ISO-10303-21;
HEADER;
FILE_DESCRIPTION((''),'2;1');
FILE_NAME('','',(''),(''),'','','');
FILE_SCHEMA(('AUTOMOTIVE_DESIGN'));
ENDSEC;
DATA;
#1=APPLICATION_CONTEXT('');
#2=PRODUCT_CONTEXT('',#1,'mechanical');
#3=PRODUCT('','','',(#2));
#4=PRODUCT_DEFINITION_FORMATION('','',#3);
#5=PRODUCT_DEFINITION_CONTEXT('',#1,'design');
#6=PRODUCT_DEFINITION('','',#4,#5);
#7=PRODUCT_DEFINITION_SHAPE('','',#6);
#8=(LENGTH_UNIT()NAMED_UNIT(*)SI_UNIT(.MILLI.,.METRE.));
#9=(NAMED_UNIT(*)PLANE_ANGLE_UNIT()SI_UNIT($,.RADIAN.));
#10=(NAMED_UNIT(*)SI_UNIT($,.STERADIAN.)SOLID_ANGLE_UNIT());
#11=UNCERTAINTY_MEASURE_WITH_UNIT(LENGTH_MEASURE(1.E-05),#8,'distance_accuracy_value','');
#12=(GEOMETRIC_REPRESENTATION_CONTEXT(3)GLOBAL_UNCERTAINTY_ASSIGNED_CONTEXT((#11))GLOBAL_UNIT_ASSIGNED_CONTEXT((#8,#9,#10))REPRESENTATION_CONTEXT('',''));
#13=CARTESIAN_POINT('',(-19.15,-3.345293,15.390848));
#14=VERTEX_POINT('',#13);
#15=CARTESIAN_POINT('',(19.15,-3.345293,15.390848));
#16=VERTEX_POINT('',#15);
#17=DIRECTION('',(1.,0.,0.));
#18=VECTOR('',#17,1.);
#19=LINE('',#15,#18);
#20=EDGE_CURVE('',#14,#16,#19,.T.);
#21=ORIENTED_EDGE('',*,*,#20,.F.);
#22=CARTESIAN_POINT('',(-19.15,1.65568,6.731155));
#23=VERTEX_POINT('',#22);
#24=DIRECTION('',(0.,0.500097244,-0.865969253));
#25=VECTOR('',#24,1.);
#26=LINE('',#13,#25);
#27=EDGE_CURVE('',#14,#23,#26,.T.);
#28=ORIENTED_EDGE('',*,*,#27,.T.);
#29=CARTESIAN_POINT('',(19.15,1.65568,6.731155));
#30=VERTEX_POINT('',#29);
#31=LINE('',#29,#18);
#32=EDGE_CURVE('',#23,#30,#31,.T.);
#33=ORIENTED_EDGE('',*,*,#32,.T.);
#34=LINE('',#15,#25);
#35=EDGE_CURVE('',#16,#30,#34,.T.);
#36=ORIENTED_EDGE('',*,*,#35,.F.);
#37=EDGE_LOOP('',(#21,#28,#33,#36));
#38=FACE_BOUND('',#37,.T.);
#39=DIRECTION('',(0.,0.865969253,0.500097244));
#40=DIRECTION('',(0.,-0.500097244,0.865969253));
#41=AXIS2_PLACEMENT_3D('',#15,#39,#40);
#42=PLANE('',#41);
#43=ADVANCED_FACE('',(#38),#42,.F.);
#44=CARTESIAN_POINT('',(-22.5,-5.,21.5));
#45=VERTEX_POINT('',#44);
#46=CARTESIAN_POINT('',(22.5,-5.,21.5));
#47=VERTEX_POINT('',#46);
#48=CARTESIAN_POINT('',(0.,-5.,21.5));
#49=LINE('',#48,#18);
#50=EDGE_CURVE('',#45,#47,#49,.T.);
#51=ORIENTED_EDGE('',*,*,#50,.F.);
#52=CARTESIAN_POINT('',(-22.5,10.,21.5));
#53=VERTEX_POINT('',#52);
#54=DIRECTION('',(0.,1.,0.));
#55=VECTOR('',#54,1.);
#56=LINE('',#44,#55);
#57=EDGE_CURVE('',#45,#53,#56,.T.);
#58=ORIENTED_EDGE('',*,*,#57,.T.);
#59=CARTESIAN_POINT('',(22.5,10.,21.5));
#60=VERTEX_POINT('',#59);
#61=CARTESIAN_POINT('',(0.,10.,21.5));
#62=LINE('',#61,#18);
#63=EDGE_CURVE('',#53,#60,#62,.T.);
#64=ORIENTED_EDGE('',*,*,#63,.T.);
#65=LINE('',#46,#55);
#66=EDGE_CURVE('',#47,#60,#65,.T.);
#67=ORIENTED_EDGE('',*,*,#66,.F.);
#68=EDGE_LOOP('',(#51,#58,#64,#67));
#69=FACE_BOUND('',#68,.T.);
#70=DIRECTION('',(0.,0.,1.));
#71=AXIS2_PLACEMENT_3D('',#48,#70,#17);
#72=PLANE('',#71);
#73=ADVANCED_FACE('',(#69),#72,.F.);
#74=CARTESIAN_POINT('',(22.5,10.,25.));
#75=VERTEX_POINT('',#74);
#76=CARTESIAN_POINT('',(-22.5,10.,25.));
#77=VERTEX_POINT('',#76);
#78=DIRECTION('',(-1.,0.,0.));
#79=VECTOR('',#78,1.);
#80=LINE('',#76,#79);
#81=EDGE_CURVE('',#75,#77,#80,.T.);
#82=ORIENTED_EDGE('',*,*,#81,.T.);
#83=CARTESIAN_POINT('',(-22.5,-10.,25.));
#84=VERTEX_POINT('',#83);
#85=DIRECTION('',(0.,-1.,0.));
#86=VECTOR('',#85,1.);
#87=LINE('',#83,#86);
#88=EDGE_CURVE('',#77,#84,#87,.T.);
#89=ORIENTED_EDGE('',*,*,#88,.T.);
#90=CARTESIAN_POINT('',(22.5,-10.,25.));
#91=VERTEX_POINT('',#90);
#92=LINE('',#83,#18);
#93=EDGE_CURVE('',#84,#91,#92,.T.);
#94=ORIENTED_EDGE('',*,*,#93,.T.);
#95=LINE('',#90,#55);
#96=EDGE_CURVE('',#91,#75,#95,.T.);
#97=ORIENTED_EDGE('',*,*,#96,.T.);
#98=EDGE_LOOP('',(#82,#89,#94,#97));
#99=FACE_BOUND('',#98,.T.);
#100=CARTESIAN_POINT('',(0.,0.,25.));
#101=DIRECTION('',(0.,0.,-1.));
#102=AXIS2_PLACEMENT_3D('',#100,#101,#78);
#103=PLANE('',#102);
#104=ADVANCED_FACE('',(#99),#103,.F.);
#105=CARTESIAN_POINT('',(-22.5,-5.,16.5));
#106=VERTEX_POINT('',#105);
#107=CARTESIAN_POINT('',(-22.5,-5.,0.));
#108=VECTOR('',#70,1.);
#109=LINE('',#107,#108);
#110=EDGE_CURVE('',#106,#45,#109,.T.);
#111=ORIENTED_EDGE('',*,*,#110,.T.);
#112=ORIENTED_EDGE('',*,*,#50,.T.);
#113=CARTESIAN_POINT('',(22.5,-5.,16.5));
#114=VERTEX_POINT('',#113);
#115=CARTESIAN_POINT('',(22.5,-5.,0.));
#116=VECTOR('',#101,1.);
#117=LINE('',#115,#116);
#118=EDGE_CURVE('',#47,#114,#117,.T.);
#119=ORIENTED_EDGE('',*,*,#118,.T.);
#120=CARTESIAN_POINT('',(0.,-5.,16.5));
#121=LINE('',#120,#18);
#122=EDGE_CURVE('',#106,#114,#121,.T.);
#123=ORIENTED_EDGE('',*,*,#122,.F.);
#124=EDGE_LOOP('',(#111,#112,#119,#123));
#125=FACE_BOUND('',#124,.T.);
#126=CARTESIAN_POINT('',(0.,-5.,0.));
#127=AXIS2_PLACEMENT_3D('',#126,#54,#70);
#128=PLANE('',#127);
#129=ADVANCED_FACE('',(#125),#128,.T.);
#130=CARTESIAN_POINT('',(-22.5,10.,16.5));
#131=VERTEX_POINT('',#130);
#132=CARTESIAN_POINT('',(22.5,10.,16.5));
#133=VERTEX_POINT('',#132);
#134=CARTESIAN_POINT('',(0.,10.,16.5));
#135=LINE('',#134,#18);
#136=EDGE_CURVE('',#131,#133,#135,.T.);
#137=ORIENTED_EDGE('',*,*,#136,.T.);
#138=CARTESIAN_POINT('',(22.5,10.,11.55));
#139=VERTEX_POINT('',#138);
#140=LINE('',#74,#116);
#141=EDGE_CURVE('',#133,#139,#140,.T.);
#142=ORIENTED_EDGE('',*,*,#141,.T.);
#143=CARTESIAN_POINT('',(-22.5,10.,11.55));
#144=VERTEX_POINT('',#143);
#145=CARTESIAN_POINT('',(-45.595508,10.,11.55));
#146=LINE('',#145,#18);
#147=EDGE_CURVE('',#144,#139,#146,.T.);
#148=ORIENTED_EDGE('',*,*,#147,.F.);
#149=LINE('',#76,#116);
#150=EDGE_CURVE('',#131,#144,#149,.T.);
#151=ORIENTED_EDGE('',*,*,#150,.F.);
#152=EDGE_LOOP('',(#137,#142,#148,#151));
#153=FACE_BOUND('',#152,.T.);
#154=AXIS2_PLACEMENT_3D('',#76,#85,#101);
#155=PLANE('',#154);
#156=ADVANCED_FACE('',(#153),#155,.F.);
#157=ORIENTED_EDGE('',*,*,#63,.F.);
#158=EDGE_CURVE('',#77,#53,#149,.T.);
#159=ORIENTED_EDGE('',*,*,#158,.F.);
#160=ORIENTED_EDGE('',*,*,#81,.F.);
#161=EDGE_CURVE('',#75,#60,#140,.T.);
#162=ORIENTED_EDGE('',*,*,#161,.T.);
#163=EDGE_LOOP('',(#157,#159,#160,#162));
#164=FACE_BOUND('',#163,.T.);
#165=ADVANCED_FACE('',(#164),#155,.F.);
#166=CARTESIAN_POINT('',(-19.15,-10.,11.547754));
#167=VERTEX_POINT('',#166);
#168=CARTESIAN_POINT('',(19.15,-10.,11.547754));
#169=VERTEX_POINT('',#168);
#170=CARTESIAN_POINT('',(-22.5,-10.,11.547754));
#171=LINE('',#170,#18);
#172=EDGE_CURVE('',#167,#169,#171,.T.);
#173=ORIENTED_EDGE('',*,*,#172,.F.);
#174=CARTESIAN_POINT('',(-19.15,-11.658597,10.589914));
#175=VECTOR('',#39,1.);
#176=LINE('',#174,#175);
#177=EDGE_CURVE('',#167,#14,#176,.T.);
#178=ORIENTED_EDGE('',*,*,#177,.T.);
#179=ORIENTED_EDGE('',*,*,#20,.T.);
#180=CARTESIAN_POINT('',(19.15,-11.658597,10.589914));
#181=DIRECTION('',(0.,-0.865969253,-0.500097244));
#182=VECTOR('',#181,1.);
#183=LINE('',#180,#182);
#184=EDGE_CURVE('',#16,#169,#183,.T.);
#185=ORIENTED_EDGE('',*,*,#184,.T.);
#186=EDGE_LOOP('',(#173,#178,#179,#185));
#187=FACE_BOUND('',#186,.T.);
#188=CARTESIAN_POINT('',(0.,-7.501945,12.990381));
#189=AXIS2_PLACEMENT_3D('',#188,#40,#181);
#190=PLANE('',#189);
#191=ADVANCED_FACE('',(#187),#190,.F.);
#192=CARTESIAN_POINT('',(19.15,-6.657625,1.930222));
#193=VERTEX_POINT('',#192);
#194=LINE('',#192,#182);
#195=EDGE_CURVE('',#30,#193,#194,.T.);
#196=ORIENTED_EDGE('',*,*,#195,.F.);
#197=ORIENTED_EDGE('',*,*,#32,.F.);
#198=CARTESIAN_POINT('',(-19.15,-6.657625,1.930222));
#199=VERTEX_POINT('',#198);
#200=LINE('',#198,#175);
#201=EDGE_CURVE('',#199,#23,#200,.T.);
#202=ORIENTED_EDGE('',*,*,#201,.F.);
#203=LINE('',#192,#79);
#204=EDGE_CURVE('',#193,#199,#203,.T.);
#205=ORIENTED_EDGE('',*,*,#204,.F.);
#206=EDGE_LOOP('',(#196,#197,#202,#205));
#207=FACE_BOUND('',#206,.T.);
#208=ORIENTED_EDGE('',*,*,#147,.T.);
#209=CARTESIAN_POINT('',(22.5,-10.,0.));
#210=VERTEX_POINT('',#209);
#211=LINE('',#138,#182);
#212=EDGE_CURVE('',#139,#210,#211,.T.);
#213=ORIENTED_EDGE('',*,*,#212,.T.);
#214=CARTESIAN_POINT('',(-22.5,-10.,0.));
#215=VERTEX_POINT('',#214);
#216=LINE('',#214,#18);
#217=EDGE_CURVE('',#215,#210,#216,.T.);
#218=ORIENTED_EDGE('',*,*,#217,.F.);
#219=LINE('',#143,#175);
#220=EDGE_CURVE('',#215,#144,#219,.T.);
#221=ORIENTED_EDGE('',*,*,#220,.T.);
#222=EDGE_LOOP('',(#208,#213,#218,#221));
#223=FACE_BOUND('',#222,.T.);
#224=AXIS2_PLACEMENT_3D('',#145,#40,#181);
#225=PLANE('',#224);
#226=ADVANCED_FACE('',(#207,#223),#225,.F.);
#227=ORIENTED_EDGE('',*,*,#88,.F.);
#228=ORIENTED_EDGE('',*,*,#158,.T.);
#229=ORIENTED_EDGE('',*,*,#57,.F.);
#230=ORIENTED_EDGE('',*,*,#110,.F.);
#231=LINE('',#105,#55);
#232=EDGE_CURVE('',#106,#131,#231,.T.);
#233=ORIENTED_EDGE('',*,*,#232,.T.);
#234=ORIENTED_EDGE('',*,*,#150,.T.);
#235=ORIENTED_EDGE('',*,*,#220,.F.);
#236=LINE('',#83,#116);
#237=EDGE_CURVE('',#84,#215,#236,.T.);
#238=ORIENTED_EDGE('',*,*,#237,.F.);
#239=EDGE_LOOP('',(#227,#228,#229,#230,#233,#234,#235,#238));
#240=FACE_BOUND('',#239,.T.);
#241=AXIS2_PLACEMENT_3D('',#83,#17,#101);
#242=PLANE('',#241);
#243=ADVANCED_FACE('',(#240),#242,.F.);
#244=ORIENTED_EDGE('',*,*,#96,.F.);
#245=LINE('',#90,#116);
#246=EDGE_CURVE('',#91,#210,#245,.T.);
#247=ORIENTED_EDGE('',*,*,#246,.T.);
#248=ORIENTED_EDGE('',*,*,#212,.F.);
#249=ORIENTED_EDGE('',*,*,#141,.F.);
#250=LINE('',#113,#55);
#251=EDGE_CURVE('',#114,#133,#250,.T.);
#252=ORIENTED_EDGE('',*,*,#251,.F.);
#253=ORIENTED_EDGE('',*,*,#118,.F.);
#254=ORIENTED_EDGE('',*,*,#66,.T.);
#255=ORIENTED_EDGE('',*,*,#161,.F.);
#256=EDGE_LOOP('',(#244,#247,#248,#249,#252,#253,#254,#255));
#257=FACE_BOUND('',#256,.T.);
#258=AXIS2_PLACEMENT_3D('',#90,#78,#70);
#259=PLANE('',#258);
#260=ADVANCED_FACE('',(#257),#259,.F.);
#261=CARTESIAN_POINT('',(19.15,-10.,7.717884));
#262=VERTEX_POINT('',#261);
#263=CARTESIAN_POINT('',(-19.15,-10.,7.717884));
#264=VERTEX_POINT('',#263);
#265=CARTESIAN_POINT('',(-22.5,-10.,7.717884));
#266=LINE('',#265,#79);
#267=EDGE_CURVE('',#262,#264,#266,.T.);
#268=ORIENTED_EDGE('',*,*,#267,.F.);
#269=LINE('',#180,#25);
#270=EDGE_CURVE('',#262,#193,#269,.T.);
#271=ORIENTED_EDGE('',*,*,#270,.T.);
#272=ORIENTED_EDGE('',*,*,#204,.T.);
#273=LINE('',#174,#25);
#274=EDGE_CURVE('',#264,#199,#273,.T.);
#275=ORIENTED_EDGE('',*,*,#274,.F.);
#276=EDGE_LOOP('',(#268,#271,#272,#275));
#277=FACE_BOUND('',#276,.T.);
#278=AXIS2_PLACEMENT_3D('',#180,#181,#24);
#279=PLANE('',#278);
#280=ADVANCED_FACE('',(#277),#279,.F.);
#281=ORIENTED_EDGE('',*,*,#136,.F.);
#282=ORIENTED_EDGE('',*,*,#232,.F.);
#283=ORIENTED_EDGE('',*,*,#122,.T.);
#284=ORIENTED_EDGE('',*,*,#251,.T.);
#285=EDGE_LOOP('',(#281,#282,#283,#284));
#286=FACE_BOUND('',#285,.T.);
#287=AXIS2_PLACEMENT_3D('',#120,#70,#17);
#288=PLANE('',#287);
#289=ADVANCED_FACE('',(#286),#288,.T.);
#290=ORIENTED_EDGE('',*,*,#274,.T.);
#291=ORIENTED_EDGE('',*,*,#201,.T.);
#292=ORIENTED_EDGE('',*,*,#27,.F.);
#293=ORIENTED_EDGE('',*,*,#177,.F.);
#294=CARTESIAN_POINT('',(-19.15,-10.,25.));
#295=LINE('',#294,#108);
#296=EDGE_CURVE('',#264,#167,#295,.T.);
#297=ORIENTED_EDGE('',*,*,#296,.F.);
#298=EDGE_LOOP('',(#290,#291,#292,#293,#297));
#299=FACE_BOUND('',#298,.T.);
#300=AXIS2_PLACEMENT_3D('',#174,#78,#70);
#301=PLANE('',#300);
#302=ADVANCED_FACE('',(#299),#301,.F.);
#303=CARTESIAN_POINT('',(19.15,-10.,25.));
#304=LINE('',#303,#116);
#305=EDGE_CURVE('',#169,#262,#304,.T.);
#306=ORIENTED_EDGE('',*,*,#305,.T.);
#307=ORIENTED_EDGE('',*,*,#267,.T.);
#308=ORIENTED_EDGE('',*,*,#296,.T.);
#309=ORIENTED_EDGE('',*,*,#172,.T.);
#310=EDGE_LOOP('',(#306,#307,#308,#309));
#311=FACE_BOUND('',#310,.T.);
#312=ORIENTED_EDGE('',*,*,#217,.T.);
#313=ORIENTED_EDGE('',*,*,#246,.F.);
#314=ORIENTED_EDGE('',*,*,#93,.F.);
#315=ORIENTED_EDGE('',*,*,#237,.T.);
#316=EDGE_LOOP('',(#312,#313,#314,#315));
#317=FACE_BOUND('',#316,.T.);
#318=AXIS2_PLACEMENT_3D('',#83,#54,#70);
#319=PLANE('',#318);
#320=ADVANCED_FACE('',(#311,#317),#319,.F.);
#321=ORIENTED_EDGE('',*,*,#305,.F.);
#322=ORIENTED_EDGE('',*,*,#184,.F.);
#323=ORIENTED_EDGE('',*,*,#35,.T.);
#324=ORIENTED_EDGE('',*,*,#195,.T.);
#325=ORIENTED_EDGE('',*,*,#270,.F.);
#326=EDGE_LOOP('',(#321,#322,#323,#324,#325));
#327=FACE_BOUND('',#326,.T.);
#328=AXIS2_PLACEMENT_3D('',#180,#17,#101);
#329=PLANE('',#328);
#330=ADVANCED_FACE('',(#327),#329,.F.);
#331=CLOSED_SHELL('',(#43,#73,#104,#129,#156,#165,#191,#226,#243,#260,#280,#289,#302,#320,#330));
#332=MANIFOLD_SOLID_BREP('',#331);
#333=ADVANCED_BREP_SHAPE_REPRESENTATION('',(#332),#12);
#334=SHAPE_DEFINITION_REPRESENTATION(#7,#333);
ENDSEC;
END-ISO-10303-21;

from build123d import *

# Parameters (mm, degrees)
SKETCH2_W           = 45
SKETCH2_H           = 20
BOSS_EXTRUDE1_DEPTH = 25
SKETCH5_W           = 45
SKETCH5_H           = 5
CUT_EXTRUDE1_DEPTH  = 15
CUT_EXTRUDE2_DEPTH  = 45
SKETCH8_W           = 38.3
SKETCH8_H           = 9.6
CUT_EXTRUDE3_DEPTH  = 10


with BuildPart() as part:
    # Sketch2 → Boss-Extrude1 (new body)
    with BuildSketch(Plane.XY):
        Rectangle(SKETCH2_W, SKETCH2_H)
    extrude(amount=BOSS_EXTRUDE1_DEPTH)

    # Sketch5 → Cut-Extrude1 (cut)
    with BuildSketch(Plane(origin=(0, 10, 0), x_dir=(1, 0, 0), z_dir=(0, 1, 0))):
        with Locations((0, -19)):
            Rectangle(SKETCH5_W, SKETCH5_H)
    extrude(amount=-CUT_EXTRUDE1_DEPTH, mode=Mode.SUBTRACT)

    # Sketch7 → Cut-Extrude2 (cut)
    with BuildSketch(Plane(origin=(22.5, 0, 0), x_dir=(0, 0, -1), z_dir=(1, 0, 0))):
        Polygon((0, -10), (0, 10), (-11.55, 10), align=None)
    extrude(amount=-CUT_EXTRUDE2_DEPTH, mode=Mode.SUBTRACT)

    # Sketch8 → Cut-Extrude3 (cut)
    with BuildSketch(Plane(origin=(0, -2.50097253, 4.330688364), x_dir=(-1, 0, 0), z_dir=(0, 0.5000972435561909, -0.8659692529111528))):
        Rectangle(SKETCH8_W, SKETCH8_H)
    extrude(amount=-CUT_EXTRUDE3_DEPTH, mode=Mode.SUBTRACT)


solid = part.part
